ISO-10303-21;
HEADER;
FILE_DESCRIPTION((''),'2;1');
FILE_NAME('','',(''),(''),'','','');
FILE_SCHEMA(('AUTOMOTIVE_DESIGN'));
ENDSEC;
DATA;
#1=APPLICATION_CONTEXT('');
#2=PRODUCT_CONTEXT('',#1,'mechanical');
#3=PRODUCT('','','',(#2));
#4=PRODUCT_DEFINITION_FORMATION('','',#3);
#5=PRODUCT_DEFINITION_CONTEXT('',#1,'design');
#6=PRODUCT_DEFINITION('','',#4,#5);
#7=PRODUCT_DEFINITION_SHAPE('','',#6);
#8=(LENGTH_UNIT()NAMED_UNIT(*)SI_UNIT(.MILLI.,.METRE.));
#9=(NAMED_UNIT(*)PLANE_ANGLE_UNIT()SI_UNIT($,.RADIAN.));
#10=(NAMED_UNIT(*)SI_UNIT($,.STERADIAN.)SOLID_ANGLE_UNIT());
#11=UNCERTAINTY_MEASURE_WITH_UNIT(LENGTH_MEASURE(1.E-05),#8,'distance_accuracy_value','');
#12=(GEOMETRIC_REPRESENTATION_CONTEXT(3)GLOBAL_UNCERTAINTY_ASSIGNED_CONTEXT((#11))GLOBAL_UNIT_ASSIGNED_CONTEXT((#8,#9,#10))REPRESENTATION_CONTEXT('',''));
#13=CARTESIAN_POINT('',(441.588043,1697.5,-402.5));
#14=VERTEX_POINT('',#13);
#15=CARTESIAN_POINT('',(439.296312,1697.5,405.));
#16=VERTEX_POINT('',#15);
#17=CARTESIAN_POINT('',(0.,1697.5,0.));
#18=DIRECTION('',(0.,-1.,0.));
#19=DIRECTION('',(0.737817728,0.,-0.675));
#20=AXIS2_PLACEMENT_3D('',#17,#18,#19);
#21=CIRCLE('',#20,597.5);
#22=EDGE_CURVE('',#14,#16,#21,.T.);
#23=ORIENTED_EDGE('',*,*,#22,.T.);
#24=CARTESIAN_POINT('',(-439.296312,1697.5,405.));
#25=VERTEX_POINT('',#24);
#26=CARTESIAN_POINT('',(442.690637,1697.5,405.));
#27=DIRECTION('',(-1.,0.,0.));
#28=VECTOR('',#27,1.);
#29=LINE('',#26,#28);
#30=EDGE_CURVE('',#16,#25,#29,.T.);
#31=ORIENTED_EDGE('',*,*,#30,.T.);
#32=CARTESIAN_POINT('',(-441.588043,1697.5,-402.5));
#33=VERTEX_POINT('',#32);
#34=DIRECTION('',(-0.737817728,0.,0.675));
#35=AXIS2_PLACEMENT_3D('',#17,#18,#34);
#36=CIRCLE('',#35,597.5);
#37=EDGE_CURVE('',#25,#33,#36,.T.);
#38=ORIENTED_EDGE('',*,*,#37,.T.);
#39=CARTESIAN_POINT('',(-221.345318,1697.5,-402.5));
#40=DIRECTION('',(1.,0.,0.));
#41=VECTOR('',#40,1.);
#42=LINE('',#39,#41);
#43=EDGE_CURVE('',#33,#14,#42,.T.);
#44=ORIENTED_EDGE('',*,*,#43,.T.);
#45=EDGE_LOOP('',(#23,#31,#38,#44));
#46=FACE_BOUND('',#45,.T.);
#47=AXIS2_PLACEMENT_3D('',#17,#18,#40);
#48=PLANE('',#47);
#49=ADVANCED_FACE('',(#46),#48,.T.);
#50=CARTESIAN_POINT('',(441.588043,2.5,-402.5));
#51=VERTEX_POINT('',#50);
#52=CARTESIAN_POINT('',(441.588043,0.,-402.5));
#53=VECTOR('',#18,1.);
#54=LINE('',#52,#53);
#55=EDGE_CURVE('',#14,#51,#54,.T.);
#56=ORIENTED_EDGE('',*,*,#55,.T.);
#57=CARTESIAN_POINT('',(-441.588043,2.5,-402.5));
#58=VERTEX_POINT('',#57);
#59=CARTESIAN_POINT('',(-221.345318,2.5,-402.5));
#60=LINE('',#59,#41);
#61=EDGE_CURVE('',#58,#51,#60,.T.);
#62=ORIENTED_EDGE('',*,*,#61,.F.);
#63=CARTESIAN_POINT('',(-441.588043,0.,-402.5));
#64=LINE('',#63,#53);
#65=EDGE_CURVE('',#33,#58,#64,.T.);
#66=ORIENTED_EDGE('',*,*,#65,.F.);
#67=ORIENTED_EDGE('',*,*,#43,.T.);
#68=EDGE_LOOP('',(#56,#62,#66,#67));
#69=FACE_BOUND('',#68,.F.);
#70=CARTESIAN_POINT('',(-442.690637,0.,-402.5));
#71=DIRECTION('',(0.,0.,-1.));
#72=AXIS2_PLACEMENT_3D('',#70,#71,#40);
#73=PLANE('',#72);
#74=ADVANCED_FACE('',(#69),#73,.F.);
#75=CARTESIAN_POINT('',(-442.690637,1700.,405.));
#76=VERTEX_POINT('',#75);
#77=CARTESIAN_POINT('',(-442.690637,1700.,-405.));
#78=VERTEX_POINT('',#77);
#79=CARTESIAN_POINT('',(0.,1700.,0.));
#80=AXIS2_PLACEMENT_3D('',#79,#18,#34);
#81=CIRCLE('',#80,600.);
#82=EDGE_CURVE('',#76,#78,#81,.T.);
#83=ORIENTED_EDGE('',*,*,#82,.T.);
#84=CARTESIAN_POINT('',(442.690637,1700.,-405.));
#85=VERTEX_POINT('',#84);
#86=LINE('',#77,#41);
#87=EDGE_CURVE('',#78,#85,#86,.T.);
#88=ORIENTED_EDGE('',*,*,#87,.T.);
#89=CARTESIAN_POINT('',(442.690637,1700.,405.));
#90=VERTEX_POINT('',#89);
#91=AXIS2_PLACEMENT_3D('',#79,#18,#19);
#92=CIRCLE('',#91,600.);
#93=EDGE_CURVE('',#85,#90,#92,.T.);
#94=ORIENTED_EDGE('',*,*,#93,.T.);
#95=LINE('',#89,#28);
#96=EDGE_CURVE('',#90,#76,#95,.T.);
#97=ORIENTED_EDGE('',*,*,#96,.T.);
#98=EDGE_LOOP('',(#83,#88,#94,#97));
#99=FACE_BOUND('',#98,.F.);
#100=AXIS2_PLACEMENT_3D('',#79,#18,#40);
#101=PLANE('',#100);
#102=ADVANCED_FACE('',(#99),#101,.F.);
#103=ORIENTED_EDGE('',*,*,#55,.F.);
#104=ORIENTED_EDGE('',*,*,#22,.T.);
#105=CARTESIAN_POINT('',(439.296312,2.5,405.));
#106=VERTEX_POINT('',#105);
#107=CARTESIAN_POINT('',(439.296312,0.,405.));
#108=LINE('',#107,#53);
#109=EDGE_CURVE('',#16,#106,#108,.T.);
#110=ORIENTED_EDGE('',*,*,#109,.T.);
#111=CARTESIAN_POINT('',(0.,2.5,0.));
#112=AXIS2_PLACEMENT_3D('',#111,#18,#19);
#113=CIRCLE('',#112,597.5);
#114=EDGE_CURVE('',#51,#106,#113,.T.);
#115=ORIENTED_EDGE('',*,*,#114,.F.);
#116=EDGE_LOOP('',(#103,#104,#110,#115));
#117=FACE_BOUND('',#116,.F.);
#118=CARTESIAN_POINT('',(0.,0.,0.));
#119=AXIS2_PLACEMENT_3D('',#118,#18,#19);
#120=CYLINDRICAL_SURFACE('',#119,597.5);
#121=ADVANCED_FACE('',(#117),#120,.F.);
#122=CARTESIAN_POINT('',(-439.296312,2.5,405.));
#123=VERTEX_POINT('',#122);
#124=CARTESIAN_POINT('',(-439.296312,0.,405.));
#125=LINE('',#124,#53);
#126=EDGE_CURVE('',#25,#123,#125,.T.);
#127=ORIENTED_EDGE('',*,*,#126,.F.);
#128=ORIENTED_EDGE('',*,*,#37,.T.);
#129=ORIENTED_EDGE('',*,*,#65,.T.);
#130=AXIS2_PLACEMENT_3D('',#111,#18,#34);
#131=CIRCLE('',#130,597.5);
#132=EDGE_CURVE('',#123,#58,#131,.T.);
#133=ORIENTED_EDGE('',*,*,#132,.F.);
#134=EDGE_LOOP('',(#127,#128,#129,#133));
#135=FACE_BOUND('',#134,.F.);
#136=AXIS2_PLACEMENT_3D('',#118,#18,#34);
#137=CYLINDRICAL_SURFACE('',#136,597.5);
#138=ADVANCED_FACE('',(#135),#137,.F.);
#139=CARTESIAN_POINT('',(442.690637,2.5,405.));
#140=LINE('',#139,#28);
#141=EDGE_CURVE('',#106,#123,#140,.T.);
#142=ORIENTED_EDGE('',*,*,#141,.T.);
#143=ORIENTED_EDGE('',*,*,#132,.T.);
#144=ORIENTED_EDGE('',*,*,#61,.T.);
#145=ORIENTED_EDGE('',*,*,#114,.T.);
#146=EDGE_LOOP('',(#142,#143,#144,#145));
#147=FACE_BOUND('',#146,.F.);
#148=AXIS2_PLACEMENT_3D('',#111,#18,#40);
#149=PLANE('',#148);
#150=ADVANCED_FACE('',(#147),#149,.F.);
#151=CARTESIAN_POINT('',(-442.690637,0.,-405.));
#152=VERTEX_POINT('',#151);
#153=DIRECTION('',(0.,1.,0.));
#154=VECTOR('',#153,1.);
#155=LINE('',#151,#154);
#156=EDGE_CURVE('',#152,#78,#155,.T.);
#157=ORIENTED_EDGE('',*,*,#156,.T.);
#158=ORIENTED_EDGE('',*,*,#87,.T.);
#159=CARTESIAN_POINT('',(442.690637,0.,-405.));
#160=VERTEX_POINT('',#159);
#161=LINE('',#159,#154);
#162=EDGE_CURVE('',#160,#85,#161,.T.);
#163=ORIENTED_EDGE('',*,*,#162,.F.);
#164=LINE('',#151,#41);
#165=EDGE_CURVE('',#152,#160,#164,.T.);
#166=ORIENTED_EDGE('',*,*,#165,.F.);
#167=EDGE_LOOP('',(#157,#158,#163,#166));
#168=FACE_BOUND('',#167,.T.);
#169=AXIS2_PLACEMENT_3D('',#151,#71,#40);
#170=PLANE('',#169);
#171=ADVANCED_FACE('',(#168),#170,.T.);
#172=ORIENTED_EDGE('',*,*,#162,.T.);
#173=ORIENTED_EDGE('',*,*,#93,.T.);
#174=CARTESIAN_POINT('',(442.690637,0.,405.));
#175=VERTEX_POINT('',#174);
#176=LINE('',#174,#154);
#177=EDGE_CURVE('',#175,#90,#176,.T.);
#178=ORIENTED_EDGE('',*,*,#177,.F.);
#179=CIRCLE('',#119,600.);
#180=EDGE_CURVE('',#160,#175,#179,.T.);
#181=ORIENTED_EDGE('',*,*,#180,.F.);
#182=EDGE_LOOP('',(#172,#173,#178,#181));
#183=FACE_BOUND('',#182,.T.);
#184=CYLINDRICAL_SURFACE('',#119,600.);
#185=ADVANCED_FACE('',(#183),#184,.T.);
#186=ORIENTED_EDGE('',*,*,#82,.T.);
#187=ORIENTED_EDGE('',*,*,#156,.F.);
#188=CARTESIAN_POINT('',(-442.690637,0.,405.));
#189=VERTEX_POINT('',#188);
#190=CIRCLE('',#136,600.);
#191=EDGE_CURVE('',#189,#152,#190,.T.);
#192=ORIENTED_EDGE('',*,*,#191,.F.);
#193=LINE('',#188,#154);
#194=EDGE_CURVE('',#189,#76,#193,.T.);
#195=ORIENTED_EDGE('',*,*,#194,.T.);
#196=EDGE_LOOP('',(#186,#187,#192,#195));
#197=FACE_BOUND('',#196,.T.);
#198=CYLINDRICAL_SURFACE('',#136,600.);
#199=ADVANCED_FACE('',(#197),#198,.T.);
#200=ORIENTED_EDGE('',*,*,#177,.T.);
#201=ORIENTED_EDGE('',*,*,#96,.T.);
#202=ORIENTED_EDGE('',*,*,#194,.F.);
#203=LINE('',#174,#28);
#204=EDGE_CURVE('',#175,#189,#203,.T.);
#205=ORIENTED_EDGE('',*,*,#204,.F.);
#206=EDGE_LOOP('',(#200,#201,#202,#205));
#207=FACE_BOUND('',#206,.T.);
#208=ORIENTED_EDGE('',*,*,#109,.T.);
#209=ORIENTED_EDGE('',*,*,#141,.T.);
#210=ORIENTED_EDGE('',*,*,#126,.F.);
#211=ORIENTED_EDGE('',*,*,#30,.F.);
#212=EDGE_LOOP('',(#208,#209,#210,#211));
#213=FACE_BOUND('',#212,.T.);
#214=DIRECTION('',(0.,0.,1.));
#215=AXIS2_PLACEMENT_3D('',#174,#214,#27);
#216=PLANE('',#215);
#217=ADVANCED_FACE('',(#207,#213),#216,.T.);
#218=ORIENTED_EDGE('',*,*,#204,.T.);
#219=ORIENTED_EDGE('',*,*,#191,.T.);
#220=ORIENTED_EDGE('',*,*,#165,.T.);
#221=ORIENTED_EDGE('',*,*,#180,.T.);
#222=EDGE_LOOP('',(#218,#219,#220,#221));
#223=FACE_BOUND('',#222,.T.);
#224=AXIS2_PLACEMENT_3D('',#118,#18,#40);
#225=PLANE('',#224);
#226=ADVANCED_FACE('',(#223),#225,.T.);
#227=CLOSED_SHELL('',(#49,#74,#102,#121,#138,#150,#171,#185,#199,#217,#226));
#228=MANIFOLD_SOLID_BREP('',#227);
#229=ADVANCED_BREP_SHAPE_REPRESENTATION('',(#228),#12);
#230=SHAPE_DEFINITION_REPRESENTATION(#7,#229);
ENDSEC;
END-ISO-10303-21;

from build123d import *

# Parameters (mm, degrees)
F1_DEPTH = 1700
F2_T     = -2.5


with BuildPart() as f1:
    # F0 (on Front) → F1 (new body)
    with BuildSketch(Plane.XZ):
        with BuildLine():
            Line((442.690637, 405), (-442.690637, 405))
            ThreePointArc((-442.690637, 405), (-600, 0), (-442.690637, -405))
            Line((-442.690637, -405), (442.690637, -405))
            ThreePointArc((442.690637, -405), (600, 0), (442.690637, 405))
        make_face()
    extrude(amount=-F1_DEPTH)

    # F2
    f2_openings = [f1.faces().sort_by_distance(p)[0] for p in [
        (0, 850, 405),
    ]]
    offset(amount=F2_T, openings=f2_openings)


solid = f1.part
